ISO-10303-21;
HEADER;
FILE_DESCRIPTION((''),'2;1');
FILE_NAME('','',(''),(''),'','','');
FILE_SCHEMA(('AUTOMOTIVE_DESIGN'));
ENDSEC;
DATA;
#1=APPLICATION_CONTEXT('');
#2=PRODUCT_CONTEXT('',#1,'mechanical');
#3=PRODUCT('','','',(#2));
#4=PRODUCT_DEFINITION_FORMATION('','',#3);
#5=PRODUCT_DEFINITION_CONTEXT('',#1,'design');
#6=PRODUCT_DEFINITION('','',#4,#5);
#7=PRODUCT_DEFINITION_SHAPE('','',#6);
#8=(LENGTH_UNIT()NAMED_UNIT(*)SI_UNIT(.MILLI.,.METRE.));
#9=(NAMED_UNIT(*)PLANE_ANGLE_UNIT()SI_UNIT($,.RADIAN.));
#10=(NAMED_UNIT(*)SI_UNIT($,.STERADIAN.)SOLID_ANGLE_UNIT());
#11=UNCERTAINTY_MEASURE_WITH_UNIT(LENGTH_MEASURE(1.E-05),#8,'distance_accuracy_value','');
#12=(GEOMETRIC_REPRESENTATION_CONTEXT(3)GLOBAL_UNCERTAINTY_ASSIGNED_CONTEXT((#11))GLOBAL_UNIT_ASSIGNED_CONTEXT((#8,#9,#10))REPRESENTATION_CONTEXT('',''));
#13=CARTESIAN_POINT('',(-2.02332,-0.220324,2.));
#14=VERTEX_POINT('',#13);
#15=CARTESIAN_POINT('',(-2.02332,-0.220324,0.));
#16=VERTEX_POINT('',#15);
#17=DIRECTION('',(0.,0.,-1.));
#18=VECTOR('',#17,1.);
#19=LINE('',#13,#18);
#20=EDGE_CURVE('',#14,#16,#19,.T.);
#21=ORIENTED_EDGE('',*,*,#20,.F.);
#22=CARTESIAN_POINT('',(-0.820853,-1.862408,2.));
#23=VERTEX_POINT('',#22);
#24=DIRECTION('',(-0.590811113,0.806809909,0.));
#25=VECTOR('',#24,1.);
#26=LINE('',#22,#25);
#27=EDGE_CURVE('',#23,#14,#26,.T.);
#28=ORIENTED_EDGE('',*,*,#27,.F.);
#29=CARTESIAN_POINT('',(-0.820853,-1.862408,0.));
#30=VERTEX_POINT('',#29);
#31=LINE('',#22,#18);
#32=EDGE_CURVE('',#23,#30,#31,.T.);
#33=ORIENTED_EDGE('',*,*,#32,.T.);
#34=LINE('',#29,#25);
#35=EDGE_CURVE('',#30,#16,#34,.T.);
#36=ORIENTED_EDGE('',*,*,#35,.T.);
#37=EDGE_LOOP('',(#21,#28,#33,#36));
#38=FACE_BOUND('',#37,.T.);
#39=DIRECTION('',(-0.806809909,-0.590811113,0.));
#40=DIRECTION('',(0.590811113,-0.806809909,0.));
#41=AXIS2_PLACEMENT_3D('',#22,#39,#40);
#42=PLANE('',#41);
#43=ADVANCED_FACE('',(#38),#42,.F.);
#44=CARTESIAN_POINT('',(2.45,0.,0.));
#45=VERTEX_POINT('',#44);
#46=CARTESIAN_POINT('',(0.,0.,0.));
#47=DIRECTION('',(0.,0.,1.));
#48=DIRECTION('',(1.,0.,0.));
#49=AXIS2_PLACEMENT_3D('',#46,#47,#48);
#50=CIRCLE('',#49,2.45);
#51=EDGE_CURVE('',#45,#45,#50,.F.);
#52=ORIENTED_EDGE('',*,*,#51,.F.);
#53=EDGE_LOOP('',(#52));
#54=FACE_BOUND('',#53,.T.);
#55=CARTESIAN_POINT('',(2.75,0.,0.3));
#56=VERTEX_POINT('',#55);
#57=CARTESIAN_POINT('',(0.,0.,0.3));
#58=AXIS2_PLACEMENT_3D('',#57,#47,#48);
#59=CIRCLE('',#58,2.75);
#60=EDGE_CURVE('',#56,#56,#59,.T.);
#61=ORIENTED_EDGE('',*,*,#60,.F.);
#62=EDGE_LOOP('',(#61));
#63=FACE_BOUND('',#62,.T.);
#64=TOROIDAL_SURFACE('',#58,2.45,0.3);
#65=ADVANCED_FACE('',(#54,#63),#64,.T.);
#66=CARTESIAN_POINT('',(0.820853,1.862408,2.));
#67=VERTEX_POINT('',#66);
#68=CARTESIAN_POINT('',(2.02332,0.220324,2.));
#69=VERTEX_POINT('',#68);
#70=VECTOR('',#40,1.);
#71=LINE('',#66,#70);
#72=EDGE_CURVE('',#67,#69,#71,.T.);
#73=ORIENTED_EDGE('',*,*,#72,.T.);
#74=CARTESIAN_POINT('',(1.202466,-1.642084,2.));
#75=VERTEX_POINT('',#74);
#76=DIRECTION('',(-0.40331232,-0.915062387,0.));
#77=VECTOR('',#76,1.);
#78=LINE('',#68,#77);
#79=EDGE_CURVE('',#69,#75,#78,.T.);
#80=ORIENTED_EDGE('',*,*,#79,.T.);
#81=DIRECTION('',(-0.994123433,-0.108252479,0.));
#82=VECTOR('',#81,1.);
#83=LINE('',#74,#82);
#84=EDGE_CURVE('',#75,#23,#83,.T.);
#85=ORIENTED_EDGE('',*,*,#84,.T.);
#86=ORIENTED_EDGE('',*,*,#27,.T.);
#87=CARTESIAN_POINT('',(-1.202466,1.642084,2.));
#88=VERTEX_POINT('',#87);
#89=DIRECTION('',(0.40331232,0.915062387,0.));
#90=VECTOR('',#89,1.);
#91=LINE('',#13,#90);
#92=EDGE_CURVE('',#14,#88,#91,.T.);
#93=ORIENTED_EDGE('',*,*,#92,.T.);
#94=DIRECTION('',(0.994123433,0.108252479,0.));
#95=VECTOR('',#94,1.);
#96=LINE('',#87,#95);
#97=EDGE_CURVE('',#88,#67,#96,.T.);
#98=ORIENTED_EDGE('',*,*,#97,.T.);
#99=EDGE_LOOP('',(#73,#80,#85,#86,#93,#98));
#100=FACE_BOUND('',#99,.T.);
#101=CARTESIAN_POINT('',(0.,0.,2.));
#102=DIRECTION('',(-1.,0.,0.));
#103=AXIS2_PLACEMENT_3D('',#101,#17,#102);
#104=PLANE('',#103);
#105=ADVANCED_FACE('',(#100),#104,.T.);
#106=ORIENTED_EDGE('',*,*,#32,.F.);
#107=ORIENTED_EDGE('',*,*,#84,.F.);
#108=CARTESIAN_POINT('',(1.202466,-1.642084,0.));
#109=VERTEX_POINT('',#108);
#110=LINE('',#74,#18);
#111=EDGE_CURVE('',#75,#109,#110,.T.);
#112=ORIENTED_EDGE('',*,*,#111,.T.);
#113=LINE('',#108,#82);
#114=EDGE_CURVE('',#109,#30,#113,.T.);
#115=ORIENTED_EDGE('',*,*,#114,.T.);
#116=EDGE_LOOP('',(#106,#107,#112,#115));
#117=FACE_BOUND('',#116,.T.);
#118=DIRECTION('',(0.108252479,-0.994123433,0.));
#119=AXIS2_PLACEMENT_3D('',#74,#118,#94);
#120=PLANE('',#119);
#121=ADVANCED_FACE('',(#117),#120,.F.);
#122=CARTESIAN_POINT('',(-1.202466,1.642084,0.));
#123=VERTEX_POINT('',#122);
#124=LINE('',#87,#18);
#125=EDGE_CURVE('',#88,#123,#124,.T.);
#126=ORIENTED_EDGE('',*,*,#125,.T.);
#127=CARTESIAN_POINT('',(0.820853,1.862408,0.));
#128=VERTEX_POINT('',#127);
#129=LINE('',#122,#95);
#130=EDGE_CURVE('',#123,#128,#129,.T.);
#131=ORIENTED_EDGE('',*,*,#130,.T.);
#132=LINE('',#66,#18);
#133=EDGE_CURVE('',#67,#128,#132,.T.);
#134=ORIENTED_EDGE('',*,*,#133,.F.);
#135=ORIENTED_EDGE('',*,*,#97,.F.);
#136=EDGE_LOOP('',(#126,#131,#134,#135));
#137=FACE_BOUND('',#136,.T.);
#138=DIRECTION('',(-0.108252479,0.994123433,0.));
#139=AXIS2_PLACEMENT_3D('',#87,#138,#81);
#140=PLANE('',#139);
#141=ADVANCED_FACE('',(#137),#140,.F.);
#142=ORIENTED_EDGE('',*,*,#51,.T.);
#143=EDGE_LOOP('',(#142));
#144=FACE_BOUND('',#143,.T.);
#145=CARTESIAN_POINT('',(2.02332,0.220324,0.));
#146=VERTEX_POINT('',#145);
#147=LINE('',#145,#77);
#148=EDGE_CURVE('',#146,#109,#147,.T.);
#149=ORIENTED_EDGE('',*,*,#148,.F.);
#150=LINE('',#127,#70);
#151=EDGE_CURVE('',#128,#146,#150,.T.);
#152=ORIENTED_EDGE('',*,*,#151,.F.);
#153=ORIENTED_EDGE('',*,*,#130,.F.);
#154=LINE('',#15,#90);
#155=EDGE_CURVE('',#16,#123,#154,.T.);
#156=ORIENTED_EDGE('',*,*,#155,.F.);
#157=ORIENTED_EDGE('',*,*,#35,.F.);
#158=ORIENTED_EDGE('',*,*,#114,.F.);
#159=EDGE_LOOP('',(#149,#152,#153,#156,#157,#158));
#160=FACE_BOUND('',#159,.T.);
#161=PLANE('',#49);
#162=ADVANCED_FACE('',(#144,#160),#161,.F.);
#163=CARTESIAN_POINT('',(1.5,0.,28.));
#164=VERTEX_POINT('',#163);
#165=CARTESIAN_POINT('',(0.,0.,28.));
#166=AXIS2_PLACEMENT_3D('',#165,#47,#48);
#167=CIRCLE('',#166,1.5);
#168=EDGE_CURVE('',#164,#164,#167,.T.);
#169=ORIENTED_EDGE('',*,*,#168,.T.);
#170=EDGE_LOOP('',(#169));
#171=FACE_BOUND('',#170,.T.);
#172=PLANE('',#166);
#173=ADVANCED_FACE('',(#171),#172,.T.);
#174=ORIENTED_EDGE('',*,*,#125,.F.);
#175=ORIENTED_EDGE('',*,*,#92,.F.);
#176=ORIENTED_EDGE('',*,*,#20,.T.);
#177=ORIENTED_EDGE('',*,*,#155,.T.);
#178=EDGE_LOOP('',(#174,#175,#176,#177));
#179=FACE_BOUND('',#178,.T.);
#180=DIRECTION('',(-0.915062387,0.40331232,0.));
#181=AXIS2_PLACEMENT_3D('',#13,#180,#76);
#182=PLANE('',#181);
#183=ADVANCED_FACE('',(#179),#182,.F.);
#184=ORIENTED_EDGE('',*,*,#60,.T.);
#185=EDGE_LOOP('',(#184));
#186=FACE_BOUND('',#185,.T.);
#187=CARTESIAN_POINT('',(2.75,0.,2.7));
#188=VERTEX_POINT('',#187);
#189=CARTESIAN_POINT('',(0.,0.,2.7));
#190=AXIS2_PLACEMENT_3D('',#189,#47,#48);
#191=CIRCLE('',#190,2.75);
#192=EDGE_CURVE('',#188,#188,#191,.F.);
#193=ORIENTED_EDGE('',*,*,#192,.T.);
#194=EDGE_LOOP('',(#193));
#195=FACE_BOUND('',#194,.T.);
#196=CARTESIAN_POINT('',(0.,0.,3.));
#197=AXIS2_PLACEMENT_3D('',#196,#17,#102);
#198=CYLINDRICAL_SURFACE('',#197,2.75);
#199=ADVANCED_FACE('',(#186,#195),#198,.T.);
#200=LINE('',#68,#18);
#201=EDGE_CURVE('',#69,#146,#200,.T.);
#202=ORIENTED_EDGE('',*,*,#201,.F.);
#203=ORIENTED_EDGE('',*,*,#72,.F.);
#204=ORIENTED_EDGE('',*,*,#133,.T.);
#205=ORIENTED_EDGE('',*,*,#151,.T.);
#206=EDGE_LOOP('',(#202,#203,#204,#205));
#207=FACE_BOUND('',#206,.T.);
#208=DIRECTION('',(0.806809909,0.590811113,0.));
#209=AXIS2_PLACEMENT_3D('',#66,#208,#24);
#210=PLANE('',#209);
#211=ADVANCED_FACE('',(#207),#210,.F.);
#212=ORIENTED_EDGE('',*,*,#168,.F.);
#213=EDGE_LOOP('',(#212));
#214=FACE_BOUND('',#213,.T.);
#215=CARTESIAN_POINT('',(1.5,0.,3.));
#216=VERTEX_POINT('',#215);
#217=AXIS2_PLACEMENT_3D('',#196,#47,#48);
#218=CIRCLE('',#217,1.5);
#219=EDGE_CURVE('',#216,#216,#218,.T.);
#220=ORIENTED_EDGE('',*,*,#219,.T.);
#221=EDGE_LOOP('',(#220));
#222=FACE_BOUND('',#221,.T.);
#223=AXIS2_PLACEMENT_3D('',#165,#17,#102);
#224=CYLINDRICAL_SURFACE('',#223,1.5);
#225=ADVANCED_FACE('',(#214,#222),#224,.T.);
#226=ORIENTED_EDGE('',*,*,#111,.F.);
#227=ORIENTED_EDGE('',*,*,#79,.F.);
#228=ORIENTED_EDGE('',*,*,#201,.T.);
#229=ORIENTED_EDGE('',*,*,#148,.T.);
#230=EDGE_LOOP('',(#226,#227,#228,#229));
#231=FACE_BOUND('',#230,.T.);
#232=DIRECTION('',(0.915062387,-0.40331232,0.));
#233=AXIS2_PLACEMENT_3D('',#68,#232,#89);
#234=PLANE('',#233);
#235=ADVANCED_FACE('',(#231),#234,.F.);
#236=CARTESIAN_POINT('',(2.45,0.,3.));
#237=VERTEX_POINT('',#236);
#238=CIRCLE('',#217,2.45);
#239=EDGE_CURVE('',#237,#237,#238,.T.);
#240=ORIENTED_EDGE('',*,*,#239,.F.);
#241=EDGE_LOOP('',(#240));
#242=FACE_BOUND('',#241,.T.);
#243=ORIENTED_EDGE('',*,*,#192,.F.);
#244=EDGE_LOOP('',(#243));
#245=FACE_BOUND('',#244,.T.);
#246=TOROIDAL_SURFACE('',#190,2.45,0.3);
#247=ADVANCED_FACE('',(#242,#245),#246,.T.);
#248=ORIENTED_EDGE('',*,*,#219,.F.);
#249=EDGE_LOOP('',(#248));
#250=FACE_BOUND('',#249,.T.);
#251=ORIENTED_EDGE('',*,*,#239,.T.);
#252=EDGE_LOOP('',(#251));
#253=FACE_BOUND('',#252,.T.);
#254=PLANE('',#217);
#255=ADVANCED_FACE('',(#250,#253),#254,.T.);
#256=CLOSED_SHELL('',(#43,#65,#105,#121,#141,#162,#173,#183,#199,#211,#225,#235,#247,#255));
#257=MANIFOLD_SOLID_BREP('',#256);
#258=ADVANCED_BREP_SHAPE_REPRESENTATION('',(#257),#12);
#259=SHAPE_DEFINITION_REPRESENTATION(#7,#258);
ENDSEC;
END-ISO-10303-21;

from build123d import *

# Parameters (mm, degrees)
SKETCH_1_R          = 2.75
EXTRUDE_1_DEPTH     = 3
SKETCH_2_R          = 1.5
EXTRUDE_2_DEPTH     = 25
FILLET_1_R          = 0.3
CUT_EXTRUDE_1_DEPTH = 2


with BuildPart() as part:
    # 草图1 → 凸台-拉伸1 (new body)
    with BuildSketch(Plane.XY):
        Circle(SKETCH_1_R)
    extrude(amount=EXTRUDE_1_DEPTH)

    # 草图2 → 凸台-拉伸2 (add)
    with BuildSketch(Plane.XY.offset(3)):
        Circle(SKETCH_2_R)
    extrude(amount=EXTRUDE_2_DEPTH)

    # 圆角1
    fillet_1_edges = [part.edges().sort_by_distance(p)[0] for p in [
        (-2.75, 0, 0),
        (-2.75, 0, 3),
    ]]
    fillet(fillet_1_edges, radius=FILLET_1_R)

    # 草图3 → 切除-拉伸1 (cut)
    with BuildSketch(Plane(origin=(0, 0, 0), x_dir=(-1, 0, 0), z_dir=(0, 0, -1))):
        Polygon((-0.820853493, 1.862408161), (-2.023319526, 0.220324103), (-1.202466033, -1.642084058), (0.820853493, -1.862408161), (2.023319526, -0.220324103), (1.202466033, 1.642084058), align=None)
    extrude(amount=-CUT_EXTRUDE_1_DEPTH, mode=Mode.SUBTRACT)


solid = part.part
